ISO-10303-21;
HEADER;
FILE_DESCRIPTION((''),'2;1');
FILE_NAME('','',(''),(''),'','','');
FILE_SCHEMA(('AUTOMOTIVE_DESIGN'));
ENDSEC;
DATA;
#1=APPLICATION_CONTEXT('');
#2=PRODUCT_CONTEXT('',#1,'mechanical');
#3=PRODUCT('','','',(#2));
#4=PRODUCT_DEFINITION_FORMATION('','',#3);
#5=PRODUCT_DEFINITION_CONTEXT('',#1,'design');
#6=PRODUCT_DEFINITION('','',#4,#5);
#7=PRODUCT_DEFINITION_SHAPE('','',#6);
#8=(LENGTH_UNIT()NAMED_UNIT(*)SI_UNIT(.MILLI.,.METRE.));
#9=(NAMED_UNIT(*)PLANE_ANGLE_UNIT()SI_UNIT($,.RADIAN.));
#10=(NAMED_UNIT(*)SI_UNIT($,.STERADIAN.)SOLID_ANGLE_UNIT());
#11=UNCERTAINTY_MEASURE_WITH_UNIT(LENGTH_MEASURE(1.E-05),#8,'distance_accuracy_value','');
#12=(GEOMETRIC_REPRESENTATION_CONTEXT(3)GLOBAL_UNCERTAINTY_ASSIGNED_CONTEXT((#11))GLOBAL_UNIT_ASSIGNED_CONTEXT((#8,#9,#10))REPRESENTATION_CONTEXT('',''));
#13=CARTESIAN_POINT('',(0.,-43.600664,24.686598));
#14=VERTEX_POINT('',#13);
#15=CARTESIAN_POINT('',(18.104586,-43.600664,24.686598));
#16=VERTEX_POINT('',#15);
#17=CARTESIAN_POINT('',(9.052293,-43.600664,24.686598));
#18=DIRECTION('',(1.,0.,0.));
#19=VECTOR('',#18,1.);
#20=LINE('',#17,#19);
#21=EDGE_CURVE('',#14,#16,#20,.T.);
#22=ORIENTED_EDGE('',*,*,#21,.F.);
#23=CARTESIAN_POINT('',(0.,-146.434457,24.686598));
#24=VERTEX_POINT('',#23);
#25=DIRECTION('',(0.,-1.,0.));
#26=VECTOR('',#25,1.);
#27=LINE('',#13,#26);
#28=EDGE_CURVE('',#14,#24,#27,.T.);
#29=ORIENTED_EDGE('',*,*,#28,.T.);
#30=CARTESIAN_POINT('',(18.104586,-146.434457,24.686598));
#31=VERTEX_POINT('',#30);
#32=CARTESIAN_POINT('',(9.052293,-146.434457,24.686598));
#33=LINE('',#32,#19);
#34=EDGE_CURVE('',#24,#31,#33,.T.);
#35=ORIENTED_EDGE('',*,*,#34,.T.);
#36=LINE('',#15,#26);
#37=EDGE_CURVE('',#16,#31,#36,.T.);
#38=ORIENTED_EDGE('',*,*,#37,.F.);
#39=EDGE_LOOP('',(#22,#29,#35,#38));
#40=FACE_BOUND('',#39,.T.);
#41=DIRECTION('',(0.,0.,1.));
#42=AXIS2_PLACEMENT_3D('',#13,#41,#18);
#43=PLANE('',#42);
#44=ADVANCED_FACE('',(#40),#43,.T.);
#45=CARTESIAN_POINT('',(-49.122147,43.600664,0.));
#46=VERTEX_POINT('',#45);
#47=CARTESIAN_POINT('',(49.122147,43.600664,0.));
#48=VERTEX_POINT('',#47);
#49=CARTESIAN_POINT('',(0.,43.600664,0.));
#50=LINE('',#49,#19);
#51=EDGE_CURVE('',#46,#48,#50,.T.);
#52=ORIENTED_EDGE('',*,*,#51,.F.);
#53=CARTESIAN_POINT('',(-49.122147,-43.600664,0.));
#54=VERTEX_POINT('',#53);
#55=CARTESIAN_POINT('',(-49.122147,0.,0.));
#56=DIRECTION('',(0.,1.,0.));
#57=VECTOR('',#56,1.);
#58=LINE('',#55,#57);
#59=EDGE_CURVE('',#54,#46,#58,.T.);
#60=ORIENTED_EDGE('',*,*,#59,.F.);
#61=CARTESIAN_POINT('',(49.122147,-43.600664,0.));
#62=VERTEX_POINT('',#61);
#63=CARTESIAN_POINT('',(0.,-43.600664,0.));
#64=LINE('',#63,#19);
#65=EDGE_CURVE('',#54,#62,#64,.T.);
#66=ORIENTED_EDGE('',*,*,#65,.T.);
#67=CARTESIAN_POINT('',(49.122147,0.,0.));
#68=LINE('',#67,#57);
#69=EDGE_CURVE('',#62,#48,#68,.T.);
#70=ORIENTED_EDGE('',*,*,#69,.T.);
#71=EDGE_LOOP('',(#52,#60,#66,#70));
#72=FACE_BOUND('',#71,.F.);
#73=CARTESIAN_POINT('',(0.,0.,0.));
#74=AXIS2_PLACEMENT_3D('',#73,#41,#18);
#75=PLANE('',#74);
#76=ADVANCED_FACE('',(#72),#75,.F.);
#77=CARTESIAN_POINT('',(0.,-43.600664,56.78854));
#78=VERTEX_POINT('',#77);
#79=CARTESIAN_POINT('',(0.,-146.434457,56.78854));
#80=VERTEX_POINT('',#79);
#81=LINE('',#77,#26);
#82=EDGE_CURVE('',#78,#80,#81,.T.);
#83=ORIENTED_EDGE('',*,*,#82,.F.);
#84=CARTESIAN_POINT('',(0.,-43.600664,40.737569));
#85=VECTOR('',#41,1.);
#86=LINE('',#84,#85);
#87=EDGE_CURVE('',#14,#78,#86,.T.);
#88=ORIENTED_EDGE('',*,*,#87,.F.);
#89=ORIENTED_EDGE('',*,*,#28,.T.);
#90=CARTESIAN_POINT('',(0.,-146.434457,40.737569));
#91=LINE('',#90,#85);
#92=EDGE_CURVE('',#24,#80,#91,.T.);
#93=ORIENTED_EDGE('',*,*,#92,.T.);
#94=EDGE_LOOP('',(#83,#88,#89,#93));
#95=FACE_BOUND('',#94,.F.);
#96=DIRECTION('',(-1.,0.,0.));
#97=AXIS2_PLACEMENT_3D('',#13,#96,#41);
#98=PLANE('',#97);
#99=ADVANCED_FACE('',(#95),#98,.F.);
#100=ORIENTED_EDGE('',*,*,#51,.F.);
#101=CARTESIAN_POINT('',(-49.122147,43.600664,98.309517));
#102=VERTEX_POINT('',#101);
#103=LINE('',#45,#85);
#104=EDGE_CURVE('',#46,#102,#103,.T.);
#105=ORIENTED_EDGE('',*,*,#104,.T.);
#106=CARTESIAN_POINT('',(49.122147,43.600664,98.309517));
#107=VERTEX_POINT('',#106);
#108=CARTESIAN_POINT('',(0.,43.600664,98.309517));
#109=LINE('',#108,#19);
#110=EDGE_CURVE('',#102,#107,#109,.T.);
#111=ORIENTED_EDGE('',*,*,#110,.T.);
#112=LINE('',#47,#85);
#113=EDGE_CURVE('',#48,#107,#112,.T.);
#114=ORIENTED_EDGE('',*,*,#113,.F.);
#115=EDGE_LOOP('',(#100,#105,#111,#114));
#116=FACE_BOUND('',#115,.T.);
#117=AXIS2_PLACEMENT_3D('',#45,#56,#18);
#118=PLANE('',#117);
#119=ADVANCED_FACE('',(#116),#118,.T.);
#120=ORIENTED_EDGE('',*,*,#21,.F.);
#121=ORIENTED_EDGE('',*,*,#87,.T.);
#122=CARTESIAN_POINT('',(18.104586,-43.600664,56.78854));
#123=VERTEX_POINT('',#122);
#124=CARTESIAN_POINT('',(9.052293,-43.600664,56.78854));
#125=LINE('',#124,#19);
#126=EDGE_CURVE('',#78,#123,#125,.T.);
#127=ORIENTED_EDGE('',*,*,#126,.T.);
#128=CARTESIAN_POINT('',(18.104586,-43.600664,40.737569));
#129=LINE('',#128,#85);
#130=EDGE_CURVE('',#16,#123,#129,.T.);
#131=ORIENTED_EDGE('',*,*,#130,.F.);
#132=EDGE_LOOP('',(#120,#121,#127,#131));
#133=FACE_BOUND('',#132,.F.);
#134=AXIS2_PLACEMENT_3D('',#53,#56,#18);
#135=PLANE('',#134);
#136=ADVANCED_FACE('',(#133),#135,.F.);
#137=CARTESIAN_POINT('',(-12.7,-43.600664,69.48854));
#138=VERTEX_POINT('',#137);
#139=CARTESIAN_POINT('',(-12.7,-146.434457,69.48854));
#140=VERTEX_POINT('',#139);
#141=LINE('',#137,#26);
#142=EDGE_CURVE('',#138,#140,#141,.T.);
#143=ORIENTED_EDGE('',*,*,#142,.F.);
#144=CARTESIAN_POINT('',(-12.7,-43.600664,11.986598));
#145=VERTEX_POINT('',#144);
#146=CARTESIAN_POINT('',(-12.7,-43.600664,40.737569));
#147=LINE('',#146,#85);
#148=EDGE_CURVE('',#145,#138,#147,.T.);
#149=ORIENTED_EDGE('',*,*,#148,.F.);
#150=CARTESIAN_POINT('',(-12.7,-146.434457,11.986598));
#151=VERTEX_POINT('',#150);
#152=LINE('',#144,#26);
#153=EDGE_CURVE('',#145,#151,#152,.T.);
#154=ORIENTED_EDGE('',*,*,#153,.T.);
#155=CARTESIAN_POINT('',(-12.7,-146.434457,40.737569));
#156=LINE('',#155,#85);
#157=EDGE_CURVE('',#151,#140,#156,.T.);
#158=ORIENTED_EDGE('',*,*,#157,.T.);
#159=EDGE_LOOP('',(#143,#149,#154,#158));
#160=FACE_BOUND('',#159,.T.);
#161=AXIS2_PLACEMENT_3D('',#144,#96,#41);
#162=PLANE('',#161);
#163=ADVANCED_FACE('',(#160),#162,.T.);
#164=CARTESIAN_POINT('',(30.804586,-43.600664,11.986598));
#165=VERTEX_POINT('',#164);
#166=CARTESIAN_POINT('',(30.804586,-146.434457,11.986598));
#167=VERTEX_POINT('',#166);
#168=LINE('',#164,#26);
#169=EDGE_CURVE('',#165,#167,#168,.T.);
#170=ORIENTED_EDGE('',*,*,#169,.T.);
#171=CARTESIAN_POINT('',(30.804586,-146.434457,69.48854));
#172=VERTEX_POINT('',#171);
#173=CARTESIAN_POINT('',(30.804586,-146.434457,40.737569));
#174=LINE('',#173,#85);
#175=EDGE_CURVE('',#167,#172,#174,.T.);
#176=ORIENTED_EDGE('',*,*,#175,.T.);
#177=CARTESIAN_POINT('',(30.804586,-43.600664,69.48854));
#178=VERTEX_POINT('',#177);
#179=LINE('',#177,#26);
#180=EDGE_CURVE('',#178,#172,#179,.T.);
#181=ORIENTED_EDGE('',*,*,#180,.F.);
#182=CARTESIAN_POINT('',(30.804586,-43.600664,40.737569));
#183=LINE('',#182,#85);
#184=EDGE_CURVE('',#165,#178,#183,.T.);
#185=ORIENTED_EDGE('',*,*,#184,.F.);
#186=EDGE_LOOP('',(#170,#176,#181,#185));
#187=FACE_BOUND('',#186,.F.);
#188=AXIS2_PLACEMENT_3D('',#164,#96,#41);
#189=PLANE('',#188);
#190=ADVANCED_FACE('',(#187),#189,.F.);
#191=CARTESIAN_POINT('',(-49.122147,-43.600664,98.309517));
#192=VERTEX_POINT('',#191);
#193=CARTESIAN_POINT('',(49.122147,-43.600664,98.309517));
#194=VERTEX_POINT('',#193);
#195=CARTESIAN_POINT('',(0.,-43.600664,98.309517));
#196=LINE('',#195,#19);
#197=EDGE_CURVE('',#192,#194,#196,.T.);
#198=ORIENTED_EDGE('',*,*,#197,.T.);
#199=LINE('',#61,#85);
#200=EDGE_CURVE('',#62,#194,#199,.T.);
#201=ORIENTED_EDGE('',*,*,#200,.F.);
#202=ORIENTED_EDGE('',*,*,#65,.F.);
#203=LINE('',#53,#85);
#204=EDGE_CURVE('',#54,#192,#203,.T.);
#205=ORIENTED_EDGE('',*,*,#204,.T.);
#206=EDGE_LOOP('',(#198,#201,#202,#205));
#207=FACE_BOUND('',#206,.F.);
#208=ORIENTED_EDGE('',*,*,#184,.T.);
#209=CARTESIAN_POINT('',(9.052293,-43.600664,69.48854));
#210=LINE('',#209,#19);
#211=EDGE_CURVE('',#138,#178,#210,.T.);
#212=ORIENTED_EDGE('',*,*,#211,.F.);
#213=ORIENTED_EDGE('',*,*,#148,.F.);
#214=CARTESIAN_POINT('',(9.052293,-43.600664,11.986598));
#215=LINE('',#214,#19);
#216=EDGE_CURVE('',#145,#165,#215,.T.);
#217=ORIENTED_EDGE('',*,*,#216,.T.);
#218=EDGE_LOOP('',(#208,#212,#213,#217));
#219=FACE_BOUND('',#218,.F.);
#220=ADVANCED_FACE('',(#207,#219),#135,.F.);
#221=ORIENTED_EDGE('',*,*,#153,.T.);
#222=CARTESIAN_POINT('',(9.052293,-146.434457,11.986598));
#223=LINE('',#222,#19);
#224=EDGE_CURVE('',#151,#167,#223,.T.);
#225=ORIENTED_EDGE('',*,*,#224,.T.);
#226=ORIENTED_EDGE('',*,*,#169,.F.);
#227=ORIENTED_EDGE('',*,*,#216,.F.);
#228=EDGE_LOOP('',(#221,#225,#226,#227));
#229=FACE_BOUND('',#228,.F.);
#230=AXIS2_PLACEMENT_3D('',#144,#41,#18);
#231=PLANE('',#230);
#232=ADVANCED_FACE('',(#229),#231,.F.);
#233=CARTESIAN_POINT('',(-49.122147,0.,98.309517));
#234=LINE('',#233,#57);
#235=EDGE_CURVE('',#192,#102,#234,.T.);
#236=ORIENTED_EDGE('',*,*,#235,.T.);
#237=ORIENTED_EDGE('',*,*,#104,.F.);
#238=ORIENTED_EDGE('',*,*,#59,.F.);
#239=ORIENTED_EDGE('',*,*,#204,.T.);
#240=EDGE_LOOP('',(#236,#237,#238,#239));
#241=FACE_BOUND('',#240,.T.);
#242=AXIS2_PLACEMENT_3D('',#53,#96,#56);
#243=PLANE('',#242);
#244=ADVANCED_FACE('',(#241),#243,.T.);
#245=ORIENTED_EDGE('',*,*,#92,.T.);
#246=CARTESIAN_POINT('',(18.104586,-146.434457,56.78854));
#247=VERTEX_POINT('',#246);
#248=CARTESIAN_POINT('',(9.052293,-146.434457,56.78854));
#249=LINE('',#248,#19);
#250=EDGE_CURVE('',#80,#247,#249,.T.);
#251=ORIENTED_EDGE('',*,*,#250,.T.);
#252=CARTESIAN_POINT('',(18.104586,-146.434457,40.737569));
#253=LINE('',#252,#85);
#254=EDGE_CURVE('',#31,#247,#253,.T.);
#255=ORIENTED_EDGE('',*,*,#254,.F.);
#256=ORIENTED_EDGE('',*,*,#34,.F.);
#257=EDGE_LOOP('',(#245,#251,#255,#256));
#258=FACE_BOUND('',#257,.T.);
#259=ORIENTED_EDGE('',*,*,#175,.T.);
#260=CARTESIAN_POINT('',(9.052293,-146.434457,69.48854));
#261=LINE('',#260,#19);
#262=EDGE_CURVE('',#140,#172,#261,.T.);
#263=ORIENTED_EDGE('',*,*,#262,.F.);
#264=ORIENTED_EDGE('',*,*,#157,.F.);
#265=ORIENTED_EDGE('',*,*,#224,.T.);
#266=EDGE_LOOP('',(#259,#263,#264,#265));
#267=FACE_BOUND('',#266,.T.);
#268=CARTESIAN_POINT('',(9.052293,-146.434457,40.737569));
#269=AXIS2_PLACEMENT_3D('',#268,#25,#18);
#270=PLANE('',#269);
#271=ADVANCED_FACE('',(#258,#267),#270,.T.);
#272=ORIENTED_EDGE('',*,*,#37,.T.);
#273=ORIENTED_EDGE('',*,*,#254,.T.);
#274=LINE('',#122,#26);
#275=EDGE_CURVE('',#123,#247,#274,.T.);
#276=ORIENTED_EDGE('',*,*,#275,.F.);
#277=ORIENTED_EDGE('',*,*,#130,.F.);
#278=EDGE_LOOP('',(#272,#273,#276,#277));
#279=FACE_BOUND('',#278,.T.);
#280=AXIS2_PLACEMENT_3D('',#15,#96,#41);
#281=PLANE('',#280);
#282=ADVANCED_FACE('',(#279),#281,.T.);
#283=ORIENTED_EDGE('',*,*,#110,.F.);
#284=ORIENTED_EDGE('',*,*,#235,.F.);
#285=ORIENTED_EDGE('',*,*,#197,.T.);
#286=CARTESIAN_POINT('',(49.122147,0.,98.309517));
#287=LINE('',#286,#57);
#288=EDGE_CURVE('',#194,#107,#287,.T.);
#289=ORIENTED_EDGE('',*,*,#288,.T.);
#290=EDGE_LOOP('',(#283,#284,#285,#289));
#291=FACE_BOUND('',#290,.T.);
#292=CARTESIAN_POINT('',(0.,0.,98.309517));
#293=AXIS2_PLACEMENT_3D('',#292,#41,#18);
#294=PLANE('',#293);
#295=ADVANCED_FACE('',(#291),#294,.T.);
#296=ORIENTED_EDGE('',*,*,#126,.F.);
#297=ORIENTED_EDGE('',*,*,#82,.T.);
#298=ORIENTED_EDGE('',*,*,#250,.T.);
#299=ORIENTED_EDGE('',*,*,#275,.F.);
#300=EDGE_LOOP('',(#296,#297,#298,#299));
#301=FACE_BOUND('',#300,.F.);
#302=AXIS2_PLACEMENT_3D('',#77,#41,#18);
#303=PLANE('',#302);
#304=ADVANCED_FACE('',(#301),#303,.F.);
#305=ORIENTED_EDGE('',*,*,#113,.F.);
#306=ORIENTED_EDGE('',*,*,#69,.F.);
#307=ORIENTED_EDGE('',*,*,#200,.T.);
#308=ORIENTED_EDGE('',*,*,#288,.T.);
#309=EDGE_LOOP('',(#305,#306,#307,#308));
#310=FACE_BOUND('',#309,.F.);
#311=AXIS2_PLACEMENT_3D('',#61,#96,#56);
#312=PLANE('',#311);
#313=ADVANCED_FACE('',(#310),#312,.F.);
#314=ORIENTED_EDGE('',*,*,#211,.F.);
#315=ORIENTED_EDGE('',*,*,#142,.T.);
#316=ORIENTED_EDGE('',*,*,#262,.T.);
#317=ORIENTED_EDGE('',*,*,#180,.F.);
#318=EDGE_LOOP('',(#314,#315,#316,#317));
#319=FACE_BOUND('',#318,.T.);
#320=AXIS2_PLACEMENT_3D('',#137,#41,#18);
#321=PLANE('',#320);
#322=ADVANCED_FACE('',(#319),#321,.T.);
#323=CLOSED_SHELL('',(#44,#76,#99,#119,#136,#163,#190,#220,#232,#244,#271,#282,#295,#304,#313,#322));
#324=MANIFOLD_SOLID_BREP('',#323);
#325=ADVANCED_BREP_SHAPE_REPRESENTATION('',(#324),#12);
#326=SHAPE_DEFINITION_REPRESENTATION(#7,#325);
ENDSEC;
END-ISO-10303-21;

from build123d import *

# Parameters (mm, degrees)
F0_W     = 98.244294
F0_H     = 87.201328
F1_DEPTH = 98.309517
F2_W     = 43.504586
F2_H     = 57.501942
F2_W_2   = 18.104586
F2_H_2   = 32.101942
F3_DEPTH = 102.833793


with BuildPart() as f1:
    # F0 (on Top) → F1 (new body)
    with BuildSketch(Plane.XY):
        Rectangle(F0_W, F0_H)
    extrude(amount=F1_DEPTH)

    # F2 (on face) → F3 (join)
    with BuildSketch(Plane.XZ.offset(43.600664)):
        with Locations((9.052293, 40.737569)):
            Rectangle(F2_W, F2_H)
        with Locations((9.052293, 40.737569)):
            Rectangle(F2_W_2, F2_H_2, mode=Mode.SUBTRACT)
    extrude(amount=F3_DEPTH)


solid = f1.part
